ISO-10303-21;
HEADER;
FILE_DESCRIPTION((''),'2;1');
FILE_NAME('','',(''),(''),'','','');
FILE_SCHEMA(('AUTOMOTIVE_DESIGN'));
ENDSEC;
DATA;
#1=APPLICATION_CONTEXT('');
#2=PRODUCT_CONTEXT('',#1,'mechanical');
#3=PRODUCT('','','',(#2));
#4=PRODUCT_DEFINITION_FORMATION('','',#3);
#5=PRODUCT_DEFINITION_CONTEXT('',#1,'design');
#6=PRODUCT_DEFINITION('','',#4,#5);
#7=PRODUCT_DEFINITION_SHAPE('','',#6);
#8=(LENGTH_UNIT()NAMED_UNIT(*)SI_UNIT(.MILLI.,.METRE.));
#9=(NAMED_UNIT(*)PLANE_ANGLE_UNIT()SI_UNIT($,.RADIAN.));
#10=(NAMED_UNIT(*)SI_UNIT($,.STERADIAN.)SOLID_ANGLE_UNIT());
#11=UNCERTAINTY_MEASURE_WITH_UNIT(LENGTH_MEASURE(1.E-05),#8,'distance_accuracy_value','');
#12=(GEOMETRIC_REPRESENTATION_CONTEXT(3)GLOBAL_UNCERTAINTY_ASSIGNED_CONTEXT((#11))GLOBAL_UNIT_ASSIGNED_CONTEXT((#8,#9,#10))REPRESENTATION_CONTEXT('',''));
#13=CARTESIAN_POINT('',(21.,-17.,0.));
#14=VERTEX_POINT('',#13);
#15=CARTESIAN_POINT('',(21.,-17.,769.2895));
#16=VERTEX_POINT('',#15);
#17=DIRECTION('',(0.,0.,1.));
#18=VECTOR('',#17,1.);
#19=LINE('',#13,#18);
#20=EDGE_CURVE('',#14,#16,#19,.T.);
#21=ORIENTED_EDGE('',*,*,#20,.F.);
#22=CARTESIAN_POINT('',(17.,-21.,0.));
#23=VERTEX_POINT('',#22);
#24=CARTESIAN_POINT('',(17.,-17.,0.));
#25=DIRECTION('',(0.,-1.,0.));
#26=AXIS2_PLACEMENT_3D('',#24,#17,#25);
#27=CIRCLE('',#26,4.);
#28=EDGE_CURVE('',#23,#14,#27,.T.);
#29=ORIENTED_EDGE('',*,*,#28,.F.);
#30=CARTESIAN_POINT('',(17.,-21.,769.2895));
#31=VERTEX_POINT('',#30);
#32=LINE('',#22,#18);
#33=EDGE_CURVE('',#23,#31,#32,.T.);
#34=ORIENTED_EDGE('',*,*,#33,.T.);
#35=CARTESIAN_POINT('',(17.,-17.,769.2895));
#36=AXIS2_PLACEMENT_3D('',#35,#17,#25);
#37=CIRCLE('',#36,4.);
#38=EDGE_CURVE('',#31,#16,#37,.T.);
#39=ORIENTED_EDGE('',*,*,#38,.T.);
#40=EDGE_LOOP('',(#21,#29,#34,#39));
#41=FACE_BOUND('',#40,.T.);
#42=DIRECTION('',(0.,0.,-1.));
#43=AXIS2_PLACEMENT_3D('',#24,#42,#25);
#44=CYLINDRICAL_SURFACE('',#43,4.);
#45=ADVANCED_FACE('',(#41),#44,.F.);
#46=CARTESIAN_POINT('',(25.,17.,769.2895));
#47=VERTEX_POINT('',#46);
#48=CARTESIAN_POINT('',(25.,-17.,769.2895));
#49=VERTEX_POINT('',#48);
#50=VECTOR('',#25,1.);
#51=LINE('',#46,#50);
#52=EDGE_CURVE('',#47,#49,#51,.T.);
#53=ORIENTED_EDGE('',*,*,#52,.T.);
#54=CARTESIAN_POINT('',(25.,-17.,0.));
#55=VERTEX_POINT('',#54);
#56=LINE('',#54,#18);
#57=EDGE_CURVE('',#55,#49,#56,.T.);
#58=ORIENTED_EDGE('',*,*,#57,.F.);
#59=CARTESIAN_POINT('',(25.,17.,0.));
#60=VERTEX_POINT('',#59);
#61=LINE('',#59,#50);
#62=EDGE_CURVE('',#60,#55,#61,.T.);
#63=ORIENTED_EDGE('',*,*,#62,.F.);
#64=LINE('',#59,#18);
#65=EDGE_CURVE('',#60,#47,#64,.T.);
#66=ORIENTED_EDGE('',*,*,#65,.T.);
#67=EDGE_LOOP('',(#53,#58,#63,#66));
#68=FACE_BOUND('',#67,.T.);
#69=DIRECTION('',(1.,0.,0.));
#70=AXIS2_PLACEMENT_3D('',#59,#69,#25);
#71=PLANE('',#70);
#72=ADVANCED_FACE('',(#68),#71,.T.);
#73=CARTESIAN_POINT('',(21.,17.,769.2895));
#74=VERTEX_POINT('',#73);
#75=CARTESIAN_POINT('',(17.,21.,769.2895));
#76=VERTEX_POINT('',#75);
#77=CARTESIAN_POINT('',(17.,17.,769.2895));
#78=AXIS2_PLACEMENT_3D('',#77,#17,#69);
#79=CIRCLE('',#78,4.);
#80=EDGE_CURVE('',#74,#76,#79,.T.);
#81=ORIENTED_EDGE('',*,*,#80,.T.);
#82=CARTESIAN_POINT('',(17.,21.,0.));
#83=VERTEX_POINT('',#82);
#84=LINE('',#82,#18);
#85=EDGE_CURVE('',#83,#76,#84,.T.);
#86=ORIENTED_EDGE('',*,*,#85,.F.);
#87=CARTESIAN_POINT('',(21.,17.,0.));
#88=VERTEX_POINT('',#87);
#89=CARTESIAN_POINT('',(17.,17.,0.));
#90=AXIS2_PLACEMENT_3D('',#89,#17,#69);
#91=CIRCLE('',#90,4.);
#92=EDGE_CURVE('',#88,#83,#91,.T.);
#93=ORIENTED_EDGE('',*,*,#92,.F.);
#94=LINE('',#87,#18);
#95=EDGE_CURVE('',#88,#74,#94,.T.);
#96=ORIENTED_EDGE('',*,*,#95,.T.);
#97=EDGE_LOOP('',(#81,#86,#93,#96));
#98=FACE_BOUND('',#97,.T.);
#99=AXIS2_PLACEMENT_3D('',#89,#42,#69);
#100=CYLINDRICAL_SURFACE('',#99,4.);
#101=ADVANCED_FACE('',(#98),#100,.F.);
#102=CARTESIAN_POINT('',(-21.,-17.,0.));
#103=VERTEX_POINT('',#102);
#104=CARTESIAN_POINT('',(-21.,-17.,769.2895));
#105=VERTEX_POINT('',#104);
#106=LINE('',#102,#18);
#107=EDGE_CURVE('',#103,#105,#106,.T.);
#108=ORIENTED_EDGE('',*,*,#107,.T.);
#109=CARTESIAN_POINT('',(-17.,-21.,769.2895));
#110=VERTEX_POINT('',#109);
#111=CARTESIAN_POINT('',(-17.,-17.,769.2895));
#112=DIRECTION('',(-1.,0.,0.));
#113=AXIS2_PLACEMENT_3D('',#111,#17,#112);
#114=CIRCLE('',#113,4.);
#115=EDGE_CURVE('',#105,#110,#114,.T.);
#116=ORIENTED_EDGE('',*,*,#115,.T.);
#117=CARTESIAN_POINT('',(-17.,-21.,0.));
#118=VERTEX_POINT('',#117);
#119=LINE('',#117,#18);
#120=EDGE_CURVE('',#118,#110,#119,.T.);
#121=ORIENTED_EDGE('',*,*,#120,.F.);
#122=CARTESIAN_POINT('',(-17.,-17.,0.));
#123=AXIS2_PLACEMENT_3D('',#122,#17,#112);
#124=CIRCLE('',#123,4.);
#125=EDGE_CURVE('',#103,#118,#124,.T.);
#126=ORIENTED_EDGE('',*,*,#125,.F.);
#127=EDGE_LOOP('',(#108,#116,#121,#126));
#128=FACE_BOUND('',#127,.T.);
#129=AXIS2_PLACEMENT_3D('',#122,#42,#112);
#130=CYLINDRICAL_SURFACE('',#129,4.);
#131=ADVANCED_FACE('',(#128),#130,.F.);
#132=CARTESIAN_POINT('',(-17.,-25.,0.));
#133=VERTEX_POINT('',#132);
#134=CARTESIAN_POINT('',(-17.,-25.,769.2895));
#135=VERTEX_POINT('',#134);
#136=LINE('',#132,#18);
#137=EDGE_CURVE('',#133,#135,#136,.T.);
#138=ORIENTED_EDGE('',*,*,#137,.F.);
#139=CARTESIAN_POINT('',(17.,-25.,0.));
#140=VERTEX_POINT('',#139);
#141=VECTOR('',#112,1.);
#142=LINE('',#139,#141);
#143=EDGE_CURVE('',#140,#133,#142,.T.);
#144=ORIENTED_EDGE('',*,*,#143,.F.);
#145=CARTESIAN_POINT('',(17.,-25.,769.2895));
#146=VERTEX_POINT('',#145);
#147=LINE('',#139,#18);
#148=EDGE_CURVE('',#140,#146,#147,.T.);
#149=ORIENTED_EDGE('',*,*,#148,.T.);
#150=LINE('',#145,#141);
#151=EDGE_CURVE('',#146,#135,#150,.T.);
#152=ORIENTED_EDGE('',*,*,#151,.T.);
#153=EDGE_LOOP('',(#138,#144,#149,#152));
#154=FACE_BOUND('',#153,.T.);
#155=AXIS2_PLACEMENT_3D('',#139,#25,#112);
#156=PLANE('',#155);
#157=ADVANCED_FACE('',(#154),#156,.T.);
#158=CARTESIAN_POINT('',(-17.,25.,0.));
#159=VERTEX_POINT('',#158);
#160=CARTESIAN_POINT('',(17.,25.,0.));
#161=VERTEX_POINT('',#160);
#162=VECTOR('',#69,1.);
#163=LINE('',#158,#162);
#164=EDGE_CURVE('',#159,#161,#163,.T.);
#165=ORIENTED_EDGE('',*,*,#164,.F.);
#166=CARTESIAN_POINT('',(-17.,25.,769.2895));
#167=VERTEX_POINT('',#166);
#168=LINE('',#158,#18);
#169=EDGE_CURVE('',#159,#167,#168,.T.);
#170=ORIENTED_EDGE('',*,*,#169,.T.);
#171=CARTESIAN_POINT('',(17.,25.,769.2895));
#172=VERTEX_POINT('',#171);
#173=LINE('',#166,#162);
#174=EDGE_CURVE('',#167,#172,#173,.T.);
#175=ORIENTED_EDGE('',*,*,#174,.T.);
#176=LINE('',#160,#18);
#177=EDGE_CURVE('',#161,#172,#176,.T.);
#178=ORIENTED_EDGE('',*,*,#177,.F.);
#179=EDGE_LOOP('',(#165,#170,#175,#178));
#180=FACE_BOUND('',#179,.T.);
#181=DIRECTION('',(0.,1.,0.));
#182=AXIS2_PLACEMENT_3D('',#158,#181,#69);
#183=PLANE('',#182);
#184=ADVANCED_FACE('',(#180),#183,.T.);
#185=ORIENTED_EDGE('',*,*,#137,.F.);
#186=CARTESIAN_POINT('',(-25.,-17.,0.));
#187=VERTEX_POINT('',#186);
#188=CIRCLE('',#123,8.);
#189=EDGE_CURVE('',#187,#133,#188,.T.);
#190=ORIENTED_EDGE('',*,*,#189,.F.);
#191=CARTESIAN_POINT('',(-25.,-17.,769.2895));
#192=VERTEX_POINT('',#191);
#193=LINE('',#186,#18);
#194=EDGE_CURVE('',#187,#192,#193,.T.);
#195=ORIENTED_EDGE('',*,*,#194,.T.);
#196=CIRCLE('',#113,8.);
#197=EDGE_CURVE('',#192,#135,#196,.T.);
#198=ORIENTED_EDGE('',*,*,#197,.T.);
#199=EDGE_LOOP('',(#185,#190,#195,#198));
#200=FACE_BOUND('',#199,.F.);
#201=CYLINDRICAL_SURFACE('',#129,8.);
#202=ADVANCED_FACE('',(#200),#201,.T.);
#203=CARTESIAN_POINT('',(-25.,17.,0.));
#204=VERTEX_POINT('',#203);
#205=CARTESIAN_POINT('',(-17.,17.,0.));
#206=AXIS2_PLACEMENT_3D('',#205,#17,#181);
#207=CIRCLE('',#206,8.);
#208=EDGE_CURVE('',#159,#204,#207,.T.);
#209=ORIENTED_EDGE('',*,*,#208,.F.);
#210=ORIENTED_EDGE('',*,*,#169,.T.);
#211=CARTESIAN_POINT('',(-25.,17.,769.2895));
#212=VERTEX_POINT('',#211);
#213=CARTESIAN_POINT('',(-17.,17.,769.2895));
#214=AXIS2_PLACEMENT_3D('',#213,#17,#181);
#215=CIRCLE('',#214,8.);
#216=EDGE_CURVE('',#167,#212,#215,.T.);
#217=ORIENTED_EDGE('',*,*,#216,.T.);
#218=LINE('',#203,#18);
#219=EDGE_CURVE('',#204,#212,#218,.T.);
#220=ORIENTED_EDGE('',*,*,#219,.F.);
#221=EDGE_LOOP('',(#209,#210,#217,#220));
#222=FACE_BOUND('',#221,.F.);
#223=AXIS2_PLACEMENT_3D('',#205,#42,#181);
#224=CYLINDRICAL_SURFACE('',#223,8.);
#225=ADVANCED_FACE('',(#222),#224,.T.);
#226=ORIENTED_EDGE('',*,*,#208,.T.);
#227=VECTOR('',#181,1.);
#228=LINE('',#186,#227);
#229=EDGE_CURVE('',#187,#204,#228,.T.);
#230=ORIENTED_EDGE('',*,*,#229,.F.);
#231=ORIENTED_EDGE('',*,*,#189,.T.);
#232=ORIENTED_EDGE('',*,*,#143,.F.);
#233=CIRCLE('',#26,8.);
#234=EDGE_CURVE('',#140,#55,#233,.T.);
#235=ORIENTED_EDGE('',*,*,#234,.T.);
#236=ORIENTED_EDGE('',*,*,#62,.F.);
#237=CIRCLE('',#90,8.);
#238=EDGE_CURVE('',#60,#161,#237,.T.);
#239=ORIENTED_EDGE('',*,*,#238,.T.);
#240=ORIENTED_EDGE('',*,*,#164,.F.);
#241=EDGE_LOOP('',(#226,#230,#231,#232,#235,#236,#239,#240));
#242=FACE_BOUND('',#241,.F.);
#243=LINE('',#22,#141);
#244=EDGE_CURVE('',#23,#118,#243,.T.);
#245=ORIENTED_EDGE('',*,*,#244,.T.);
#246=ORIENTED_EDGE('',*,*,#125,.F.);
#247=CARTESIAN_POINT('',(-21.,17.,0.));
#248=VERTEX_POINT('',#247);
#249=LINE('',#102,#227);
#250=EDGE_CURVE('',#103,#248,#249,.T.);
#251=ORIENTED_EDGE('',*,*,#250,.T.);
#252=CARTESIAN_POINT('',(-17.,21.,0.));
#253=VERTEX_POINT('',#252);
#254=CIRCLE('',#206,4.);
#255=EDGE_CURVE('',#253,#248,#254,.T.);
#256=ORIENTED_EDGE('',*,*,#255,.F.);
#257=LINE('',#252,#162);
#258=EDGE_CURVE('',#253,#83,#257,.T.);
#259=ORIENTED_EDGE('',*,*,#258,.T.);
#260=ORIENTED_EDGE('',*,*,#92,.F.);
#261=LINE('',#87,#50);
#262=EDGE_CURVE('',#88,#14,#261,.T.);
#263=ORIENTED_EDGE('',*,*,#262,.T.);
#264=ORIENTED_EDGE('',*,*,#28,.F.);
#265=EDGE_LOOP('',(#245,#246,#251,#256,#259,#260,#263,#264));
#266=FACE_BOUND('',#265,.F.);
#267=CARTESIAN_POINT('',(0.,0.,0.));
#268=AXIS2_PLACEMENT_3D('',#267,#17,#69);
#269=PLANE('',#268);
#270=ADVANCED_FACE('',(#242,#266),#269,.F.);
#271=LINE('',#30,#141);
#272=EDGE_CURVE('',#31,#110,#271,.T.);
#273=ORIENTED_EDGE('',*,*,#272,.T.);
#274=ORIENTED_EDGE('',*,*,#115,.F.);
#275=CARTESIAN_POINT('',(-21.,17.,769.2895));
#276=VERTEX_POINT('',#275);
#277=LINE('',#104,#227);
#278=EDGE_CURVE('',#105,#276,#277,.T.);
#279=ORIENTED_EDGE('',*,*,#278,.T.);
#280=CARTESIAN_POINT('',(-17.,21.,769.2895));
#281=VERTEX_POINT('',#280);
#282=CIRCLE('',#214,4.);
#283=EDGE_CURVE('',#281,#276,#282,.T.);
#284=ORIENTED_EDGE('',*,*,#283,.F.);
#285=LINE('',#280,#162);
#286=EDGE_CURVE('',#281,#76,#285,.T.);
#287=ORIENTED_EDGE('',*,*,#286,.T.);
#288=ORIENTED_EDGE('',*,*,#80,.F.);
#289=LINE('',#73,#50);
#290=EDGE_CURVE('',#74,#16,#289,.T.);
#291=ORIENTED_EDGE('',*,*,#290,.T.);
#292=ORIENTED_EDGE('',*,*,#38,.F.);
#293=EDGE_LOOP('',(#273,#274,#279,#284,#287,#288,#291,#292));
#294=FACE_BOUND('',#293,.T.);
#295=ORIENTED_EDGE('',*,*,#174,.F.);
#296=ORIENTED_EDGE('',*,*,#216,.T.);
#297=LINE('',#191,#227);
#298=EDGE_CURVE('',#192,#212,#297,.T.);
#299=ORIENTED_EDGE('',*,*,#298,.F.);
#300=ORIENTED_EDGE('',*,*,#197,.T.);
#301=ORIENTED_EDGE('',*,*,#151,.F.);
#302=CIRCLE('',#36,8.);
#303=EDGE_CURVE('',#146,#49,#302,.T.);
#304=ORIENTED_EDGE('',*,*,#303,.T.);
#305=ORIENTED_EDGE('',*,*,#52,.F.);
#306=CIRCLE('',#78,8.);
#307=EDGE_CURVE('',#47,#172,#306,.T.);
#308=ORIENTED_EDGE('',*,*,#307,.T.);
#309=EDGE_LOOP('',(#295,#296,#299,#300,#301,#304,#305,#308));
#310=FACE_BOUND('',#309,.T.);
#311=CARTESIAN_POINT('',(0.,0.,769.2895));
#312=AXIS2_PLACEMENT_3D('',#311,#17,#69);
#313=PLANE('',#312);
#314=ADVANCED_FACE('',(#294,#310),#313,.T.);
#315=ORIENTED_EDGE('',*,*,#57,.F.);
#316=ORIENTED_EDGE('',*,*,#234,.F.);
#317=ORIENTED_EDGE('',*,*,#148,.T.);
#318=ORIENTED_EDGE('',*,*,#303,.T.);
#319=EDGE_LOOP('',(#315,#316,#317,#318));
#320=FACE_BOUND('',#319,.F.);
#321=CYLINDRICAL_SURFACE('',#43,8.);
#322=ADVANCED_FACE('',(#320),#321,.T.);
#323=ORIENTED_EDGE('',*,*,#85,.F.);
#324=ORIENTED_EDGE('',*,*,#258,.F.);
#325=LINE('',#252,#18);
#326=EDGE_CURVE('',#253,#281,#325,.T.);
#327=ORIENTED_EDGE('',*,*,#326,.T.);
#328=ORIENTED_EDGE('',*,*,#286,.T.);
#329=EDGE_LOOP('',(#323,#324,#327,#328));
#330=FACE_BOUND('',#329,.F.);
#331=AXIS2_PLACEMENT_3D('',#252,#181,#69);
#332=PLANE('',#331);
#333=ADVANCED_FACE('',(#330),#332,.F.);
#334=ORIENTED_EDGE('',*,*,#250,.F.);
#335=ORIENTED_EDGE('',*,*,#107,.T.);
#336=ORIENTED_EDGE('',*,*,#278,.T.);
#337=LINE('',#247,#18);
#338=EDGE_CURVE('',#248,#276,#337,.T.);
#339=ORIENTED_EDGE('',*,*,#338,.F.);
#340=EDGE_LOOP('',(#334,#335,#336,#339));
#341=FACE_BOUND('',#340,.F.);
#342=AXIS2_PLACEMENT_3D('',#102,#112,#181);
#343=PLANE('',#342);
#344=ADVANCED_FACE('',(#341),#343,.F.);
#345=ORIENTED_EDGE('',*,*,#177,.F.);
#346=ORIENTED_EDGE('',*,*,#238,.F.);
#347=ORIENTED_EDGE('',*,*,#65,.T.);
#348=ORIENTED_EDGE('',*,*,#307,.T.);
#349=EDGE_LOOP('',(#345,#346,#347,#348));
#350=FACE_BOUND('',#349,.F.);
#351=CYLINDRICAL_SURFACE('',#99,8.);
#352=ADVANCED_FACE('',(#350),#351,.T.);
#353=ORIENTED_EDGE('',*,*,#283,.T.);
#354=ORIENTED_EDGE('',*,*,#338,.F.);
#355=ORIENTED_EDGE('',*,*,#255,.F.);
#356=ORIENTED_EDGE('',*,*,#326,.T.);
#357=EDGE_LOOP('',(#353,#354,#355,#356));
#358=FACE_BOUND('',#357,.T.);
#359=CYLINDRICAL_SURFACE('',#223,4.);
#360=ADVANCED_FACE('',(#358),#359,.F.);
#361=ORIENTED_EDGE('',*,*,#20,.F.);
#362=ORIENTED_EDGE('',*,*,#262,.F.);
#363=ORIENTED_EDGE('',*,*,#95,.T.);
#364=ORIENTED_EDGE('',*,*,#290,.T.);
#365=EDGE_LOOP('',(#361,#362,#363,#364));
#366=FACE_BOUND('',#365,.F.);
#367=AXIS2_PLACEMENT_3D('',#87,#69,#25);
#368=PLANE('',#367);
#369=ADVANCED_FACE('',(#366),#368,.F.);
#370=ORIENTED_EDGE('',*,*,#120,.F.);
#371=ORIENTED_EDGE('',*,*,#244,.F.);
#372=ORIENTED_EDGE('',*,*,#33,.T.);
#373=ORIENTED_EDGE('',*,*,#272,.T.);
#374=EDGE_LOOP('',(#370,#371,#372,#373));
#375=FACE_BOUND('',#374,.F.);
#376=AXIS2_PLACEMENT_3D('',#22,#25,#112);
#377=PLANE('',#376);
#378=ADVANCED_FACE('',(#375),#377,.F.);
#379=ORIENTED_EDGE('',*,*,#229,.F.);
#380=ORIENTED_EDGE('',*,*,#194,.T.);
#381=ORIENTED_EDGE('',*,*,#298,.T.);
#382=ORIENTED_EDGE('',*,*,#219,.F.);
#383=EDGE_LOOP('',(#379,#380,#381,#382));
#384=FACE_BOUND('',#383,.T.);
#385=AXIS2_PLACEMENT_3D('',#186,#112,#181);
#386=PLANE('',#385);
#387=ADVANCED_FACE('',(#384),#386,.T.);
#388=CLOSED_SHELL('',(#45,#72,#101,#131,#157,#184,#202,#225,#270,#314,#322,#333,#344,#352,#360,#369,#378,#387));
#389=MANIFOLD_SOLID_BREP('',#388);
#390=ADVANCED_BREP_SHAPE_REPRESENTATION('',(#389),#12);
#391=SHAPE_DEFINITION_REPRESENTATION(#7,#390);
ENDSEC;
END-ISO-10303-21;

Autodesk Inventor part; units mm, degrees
ref_plane "YZ Plane" through (0, 0, 0) normal (1, 0, 0) x (0, 1, 0)
ref_plane "Start Plane" through (0, 0, 0) normal (0, 0, 1) x (1, 0, 0)
ref_plane "End Plane" through (0, 0, 769.2895) normal (0, 0, 1) x (1, 0, 0)
sketch "Sketch" plane through (0, 0, 0) normal (0, 0, 1) x (1, 0, 0)
  line L0 (-25, -17) -> (-25, 17)
  line L1 (-17, 25) -> (17, 25)
  line L2 (25, 17) -> (25, -17)
  line L3 (17, -25) -> (-17, -25)
  arc A0 (-25, -17) -> (-17, -25) centre (-17, -17) ccw
  arc A1 (25, 17) -> (17, 25) centre (17, 17) ccw
  arc A2 (-17, 25) -> (-25, 17) centre (-17, 17) ccw
  arc A3 (17, -25) -> (25, -17) centre (17, -17) ccw
  arc A4 (-17, 21) -> (-21, 17) centre (-17, 17) ccw
  line L4 (-17, 21) -> (17, 21)
  arc A5 (21, 17) -> (17, 21) centre (17, 17) ccw
  line L5 (21, 17) -> (21, -17)
  arc A6 (17, -21) -> (21, -17) centre (17, -17) ccw
  line L6 (17, -21) -> (-17, -21)
  arc A7 (-21, -17) -> (-17, -21) centre (-17, -17) ccw
  line L7 (-21, -17) -> (-21, 17)
  line L8 (0, 37.3196) -> (0, -37.3196) construction
  line L9 (-37.3196, 0) -> (37.3196, 0) construction
  dimension "d7" = 8
  dimension "d9" = 50
  dimension "d11" = 50
  dimension "d12" = 4
  dimension "d15" = 25
  dimension "d16" = 25
extrude "Body" add sketch "Sketch" along normal up to surface (769.2895 mm away) from surface at 0
sketch "Sketch3" plane through (0, 0, 0) normal (0, 0, 1) x (1, 0, 0)
  line L0 (0, 0) -> (10, 0)
ref_plane "Work Plane3" through (0, 0, 0) normal (0, -1, 0) x (1, 0, 0)
sketch "Sketch4" plane through (0, 0, 0) normal (0, -1, 0) x (1, 0, 0)
  line L0 (-2, 0) -> (12, 0) projected
  line L1 (-2, 769.2895) -> (12, 769.2895) projected
  dimension "d18" = 769.2895
equation "\"d7\" = G_IR"
equation "\"d9\" = G_W"
equation "\"d11\" = G_H"
equation "\"d12\" = G_T"
equation "\"d15\" = 0.5 * d9"
equation "\"d16\" = 0.5 * d11"
equation "\"d3\" = G_L"
equation "\"G_W\" = 50"
equation "\"G_H\" = 50"
equation "\"G_T\" = 4"
equation "\"G_IR\" = 8"
equation "\"G_L\" = d18"
equation "\"G_OFFSET_START\" = 0"
equation "\"G_OFFSET_END\" = 0"
equation "\"d14\" = G_OFFSET_END + B_L"
equation "\"B_L\" = 769.28947"
properties part number "ISO 4019 - 50x50x4 - 769,29" material "Steel, Mild"
